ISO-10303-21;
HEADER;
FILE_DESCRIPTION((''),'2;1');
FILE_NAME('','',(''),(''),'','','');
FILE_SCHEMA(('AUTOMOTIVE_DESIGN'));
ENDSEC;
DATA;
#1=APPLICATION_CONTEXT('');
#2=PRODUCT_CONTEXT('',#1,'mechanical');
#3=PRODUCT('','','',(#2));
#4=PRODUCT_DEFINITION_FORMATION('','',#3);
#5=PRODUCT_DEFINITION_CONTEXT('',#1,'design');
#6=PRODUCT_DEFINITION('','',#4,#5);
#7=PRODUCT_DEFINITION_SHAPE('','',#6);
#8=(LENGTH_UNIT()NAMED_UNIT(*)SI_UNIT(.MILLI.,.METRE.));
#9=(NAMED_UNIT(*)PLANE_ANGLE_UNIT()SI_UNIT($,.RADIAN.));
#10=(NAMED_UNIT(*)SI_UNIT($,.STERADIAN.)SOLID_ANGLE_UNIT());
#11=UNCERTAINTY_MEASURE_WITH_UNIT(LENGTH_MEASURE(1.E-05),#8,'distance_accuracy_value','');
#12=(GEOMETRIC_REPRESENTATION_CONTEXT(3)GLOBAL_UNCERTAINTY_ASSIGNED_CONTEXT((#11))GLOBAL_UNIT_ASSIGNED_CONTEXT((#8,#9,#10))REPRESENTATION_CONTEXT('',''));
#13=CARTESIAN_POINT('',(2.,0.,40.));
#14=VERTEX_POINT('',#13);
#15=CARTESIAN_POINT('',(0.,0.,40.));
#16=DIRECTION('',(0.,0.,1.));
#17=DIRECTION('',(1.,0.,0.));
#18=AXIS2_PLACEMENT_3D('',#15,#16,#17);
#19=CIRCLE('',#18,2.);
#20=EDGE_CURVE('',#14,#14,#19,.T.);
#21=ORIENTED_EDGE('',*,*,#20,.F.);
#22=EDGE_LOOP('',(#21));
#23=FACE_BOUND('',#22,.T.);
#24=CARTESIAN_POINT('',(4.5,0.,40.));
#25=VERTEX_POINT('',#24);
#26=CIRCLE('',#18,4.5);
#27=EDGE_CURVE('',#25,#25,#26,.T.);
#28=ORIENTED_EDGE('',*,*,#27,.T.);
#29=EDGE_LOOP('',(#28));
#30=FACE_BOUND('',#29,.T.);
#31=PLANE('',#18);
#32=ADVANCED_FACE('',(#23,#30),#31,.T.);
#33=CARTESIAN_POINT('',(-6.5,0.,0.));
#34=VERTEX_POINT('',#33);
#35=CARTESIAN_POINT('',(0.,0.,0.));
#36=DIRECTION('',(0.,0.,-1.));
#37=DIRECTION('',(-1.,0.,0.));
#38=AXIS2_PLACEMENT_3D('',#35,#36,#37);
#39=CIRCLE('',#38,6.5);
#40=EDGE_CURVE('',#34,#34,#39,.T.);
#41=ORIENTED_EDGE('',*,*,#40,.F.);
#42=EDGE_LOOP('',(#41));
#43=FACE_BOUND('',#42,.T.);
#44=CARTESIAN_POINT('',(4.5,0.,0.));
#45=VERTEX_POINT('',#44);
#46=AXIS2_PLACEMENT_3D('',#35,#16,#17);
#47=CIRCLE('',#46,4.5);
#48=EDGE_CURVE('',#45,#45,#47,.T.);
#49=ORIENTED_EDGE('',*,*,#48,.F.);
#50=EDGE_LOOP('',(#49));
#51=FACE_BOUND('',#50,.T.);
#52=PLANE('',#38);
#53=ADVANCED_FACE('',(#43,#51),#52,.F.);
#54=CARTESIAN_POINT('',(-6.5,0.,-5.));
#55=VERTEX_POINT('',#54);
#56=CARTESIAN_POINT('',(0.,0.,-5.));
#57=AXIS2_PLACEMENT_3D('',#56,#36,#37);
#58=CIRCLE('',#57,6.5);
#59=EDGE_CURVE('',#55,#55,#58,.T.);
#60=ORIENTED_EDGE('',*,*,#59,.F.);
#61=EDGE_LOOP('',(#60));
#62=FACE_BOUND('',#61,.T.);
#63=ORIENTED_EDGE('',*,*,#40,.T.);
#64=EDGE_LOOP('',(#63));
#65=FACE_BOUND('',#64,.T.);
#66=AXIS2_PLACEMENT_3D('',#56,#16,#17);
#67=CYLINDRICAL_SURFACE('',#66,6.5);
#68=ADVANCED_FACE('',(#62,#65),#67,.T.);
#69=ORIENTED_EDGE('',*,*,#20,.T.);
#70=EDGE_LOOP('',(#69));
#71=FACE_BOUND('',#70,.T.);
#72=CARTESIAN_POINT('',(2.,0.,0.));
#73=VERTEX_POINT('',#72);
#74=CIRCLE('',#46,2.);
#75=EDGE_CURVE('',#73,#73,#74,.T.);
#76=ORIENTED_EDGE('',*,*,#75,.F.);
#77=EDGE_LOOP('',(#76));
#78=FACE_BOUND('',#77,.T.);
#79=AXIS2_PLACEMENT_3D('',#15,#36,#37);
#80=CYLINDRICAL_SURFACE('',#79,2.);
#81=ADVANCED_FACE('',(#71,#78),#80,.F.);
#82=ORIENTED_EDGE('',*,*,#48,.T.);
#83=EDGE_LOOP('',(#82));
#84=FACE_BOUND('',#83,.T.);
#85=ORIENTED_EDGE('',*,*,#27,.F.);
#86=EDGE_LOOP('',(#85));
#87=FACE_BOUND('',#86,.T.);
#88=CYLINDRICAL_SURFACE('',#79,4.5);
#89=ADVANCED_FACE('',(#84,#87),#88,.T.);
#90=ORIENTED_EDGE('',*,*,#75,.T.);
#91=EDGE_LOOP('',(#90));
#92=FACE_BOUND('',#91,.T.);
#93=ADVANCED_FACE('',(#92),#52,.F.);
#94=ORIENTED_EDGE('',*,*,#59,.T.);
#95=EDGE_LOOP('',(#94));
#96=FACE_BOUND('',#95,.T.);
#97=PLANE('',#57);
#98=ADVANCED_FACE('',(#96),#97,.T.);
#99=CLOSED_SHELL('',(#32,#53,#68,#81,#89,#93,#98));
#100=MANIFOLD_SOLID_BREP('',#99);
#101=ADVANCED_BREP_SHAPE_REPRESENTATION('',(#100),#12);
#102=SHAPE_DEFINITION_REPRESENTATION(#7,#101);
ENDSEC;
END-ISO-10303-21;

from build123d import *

# Parameters (mm, degrees)
SKETCH1_R           = 4.5
SKETCH1_R_2         = 2
BOSS_EXTRUDE1_DEPTH = 40
SKETCH2_R           = 6.5
BOSS_EXTRUDE2_DEPTH = 5


with BuildPart() as part:
    # Sketch1 → Boss-Extrude1 (new body)
    with BuildSketch(Plane.XY):
        Circle(SKETCH1_R)
        Circle(SKETCH1_R_2, mode=Mode.SUBTRACT)
    extrude(amount=BOSS_EXTRUDE1_DEPTH)

    # Sketch2 → Boss-Extrude2 (add)
    with BuildSketch(Plane(origin=(0, 0, 0), x_dir=(-1, 0, 0), z_dir=(0, 0, -1))):
        Circle(SKETCH2_R)
    extrude(amount=BOSS_EXTRUDE2_DEPTH)


solid = part.part
